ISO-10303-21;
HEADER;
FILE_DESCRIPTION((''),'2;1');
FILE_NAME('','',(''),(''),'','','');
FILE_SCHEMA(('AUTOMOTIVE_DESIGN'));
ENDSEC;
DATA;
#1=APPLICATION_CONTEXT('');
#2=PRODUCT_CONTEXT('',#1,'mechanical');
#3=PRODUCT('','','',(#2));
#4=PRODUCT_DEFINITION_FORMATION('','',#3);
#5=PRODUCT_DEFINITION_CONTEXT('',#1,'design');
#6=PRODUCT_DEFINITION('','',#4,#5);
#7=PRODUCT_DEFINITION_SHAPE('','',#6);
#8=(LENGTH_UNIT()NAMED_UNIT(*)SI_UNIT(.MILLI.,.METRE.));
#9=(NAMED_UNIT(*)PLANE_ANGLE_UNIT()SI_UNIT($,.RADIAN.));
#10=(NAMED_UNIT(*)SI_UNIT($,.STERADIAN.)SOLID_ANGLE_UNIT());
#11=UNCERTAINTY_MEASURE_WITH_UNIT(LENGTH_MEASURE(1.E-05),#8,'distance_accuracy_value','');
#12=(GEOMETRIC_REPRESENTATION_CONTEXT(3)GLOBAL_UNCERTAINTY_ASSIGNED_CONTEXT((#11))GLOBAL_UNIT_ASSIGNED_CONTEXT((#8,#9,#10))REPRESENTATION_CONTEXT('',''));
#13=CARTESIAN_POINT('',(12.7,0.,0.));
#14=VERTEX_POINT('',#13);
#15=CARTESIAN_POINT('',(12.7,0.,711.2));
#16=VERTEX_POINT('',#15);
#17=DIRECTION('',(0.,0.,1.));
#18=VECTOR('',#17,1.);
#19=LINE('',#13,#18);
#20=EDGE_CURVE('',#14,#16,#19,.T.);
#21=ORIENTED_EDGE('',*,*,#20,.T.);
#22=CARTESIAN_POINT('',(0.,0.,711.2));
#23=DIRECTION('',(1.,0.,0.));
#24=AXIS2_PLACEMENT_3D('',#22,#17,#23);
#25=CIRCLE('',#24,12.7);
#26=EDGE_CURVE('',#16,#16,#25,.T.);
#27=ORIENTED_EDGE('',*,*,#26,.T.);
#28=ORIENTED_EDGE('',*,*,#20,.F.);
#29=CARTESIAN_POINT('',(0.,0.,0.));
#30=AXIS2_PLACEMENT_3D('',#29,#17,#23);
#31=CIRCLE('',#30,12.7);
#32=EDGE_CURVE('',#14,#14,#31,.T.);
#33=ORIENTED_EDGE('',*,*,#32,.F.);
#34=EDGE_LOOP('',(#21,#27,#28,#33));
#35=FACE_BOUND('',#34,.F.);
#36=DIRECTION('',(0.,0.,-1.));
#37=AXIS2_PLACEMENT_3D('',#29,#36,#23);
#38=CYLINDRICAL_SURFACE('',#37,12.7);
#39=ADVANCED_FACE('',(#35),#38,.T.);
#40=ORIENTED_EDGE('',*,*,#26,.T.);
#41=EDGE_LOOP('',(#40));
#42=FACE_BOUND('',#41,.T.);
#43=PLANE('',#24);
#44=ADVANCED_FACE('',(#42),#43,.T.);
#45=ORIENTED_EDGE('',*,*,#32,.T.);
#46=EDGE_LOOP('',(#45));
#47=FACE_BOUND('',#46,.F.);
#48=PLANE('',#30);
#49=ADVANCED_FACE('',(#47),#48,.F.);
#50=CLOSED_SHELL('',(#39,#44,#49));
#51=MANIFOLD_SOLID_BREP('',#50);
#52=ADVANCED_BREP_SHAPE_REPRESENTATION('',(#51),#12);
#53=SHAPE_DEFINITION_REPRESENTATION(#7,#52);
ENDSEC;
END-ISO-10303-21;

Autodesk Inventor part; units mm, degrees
ref_plane "YZ Plane" through (0, 0, 0) normal (1, 0, 0) x (0, 1, 0)
ref_plane "XZ Plane" through (0, 0, 0) normal (0, 1, 0) x (-1, 0, 0)
ref_plane "XY Plane" through (0, 0, 0) normal (0, 0, 1) x (1, 0, 0)
sketch "Sketch1" plane through (0, 0, 0) normal (0, 0, 1) x (1, 0, 0)
  circle A0 centre (0, 0) radius 12.7
  dimension "d0" = 25.4
extrude "Extrusion1" add sketch "Sketch1" along normal blind 711.2
properties part number "Handle"
